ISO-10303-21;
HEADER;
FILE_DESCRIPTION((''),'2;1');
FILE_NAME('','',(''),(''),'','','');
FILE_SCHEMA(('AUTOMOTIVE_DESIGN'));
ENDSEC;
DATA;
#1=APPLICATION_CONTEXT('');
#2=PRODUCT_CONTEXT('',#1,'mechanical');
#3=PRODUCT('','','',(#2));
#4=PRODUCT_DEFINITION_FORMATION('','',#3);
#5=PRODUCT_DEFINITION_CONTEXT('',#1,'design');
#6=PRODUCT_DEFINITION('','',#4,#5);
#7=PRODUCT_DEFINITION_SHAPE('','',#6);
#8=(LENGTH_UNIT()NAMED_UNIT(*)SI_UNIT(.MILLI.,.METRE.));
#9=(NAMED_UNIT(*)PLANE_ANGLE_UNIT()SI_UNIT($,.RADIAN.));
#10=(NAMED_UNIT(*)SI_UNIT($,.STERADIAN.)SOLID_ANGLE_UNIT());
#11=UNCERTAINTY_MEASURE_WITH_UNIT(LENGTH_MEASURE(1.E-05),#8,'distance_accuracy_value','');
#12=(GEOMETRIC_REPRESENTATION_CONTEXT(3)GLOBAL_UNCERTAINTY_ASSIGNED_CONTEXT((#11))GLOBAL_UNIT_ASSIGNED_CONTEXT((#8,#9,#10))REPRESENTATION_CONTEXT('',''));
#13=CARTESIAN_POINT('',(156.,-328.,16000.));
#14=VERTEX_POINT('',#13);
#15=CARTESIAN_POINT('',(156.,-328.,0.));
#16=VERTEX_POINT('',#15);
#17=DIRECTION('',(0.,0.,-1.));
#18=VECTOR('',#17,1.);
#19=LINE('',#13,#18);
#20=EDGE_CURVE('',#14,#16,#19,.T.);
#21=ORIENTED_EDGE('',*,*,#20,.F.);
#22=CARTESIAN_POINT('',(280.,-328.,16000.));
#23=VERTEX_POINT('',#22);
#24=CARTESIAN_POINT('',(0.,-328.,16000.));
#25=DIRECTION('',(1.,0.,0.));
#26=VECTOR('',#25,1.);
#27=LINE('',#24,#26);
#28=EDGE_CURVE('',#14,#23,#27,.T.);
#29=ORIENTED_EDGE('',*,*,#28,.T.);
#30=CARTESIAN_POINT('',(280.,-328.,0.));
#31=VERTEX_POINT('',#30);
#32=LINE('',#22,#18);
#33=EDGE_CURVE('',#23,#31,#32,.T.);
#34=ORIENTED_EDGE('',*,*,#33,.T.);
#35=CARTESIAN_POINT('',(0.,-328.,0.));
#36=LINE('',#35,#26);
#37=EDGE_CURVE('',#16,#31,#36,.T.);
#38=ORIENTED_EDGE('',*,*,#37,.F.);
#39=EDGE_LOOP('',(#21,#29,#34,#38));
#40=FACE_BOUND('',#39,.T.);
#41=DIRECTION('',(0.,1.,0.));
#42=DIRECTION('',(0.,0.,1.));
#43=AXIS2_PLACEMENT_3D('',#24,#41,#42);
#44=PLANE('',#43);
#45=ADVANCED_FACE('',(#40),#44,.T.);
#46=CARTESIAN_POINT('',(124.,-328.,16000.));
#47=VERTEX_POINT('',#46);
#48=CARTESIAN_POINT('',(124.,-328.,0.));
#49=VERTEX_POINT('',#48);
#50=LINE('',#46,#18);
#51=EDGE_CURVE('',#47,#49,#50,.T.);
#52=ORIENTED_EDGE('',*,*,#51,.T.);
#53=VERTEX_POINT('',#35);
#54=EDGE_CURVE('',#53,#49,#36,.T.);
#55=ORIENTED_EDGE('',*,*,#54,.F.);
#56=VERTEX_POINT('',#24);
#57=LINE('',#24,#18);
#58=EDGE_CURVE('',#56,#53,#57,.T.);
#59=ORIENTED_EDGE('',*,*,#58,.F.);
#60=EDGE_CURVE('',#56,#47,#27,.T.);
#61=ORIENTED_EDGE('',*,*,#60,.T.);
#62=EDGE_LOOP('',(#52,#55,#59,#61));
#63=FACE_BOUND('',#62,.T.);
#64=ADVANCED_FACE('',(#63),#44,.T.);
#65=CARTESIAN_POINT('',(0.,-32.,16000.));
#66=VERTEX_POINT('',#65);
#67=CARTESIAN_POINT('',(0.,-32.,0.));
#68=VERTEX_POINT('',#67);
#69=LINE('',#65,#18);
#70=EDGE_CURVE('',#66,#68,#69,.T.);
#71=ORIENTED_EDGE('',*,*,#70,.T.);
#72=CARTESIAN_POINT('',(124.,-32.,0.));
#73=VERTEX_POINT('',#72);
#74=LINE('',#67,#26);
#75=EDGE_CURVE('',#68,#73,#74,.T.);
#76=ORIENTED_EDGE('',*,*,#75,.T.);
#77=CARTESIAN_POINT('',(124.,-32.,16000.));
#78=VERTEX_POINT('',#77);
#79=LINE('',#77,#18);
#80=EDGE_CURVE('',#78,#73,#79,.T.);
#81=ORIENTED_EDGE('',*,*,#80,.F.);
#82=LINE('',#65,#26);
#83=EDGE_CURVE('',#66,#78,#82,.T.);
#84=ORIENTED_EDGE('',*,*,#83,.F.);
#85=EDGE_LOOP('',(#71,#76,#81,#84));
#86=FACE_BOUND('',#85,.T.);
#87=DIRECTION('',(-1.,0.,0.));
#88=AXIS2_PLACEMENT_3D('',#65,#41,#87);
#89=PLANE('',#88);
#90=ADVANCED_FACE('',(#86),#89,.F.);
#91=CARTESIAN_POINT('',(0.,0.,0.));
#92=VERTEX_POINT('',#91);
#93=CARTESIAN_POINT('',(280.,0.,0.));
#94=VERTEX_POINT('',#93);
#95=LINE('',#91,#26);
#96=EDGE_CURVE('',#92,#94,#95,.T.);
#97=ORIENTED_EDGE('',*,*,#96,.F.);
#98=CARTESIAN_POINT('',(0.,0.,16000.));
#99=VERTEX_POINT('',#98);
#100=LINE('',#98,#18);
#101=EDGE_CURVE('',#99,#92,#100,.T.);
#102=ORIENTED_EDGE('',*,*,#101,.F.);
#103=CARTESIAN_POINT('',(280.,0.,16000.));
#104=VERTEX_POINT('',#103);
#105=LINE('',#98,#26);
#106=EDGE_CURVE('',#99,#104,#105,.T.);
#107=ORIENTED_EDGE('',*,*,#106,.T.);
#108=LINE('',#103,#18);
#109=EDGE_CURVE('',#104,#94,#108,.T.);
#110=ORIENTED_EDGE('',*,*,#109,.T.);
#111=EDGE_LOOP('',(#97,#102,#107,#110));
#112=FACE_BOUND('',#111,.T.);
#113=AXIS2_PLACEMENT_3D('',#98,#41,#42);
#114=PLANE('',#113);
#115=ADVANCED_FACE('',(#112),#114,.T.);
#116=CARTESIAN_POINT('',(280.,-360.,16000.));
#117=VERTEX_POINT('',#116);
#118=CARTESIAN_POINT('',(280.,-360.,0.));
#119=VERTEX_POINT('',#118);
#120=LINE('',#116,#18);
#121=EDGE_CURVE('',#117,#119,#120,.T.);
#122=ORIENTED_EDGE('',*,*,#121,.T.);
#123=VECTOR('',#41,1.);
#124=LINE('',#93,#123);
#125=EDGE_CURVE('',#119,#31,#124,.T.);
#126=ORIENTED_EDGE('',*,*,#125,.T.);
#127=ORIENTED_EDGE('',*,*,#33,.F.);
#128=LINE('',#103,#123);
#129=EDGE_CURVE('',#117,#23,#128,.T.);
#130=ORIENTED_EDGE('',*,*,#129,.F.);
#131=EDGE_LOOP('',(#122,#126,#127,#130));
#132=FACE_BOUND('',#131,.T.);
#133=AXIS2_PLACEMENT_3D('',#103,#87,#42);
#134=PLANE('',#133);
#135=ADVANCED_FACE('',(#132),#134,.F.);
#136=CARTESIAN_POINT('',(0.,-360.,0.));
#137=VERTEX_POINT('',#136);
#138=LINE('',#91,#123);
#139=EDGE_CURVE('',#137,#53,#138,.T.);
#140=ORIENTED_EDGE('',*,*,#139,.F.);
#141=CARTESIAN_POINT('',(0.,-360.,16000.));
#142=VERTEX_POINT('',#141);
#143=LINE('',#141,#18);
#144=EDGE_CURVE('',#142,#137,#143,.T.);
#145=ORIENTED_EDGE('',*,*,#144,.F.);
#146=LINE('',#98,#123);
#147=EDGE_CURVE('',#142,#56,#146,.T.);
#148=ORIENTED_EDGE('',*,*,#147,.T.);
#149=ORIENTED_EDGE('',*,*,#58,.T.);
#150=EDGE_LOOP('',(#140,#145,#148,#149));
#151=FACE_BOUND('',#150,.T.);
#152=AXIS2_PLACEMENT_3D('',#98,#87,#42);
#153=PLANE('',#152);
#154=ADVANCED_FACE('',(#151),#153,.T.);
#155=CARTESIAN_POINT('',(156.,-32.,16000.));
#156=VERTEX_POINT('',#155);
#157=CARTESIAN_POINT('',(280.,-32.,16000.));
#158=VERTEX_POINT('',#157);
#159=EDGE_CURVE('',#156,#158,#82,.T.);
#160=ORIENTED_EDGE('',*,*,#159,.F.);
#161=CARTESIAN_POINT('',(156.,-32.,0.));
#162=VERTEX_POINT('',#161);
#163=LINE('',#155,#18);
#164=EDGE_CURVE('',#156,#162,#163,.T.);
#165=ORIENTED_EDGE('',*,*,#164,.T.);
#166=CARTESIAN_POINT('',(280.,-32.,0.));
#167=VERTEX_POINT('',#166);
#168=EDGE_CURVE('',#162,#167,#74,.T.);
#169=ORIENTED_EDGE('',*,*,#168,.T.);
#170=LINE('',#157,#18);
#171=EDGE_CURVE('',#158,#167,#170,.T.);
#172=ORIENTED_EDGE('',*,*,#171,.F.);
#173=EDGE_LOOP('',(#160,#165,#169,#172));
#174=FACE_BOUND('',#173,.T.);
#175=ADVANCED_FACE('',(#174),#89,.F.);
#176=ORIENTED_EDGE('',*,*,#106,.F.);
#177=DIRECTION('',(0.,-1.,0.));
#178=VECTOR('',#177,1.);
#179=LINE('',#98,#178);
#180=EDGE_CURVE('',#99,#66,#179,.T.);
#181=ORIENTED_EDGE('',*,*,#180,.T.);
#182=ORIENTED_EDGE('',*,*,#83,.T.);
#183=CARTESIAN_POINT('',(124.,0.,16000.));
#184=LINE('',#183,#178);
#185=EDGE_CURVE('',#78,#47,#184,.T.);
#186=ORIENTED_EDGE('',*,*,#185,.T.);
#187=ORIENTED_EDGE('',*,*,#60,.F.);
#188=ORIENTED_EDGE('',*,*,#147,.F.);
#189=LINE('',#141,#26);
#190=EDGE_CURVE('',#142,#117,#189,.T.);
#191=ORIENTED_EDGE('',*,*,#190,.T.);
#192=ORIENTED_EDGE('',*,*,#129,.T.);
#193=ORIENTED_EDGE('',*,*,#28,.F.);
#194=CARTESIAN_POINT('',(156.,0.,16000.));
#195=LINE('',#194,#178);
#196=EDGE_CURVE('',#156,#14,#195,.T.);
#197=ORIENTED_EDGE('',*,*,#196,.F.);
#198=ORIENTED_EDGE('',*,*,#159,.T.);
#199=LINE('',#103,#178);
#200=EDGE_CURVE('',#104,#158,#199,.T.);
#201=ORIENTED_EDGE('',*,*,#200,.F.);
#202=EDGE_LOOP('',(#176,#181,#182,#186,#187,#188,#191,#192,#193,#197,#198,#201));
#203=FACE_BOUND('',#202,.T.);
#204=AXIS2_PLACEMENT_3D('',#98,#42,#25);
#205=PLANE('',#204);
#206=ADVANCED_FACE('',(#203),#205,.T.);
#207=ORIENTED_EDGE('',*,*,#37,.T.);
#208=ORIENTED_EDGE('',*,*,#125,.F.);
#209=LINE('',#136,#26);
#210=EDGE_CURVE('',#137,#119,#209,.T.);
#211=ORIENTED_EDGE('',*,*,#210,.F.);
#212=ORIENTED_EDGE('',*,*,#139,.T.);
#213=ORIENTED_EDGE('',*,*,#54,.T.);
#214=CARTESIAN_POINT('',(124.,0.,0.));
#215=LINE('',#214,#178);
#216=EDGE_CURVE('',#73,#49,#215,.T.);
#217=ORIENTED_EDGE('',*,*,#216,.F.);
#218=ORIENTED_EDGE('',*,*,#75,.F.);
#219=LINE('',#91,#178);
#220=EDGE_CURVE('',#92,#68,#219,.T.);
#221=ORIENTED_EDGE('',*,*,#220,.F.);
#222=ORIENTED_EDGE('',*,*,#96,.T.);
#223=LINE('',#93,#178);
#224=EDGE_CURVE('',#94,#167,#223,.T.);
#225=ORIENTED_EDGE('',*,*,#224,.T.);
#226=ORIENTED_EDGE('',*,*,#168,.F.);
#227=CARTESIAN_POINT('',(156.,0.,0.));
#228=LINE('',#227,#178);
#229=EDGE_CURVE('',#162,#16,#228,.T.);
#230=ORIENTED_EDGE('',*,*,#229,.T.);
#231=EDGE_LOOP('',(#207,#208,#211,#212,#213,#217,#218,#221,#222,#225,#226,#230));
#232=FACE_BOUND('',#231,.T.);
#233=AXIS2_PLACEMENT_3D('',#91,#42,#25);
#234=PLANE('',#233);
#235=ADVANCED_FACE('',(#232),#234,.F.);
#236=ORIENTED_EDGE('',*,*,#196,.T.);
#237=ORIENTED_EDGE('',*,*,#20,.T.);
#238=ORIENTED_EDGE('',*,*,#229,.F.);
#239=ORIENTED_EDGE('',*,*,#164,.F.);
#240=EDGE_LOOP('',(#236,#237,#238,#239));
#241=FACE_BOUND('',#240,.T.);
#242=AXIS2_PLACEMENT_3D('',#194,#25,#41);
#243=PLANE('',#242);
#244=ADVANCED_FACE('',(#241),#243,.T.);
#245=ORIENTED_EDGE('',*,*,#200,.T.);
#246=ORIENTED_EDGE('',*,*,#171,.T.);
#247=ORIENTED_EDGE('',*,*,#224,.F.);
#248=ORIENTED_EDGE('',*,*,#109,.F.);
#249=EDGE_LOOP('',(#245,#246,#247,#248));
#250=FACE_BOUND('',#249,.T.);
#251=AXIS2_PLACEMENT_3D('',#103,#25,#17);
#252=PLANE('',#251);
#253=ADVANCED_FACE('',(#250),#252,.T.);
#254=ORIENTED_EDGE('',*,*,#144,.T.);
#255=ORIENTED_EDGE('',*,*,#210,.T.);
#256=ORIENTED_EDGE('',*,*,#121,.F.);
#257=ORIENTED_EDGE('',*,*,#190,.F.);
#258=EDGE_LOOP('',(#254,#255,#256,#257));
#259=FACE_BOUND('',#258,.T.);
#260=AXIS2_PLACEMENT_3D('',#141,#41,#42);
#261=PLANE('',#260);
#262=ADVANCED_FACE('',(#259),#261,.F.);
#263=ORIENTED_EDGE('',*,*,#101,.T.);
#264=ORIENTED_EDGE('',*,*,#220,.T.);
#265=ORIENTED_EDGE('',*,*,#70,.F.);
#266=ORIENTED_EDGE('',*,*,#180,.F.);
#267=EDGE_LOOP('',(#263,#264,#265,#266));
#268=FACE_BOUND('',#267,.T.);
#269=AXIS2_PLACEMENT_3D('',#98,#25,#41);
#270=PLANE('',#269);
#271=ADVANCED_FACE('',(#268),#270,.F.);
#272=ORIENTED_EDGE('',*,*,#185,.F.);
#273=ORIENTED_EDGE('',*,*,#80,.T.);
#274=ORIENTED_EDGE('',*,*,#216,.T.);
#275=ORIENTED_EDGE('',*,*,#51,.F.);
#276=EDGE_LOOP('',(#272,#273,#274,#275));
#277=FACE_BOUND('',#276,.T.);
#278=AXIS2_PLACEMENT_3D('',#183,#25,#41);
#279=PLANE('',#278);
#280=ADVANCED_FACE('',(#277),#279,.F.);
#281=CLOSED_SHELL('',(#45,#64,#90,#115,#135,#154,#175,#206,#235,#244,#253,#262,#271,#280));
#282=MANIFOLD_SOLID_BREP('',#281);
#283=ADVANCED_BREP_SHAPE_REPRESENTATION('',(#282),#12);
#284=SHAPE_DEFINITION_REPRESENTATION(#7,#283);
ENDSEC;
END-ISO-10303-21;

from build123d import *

# Parameters (mm, degrees)
BOSS_EXTRUDE1_DEPTH = 16000


with BuildPart() as part:
    # Sketch1 → Boss-Extrude1 (new body)
    with BuildSketch(Plane.XY):
        Polygon((156, -328), (280, -328), (280, -360), (0, -360), (0, -328), (124, -328), (124, -32), (0, -32), (0, 0), (280, 0), (280, -32), (156, -32), align=None)
    extrude(amount=BOSS_EXTRUDE1_DEPTH)


solid = part.part
